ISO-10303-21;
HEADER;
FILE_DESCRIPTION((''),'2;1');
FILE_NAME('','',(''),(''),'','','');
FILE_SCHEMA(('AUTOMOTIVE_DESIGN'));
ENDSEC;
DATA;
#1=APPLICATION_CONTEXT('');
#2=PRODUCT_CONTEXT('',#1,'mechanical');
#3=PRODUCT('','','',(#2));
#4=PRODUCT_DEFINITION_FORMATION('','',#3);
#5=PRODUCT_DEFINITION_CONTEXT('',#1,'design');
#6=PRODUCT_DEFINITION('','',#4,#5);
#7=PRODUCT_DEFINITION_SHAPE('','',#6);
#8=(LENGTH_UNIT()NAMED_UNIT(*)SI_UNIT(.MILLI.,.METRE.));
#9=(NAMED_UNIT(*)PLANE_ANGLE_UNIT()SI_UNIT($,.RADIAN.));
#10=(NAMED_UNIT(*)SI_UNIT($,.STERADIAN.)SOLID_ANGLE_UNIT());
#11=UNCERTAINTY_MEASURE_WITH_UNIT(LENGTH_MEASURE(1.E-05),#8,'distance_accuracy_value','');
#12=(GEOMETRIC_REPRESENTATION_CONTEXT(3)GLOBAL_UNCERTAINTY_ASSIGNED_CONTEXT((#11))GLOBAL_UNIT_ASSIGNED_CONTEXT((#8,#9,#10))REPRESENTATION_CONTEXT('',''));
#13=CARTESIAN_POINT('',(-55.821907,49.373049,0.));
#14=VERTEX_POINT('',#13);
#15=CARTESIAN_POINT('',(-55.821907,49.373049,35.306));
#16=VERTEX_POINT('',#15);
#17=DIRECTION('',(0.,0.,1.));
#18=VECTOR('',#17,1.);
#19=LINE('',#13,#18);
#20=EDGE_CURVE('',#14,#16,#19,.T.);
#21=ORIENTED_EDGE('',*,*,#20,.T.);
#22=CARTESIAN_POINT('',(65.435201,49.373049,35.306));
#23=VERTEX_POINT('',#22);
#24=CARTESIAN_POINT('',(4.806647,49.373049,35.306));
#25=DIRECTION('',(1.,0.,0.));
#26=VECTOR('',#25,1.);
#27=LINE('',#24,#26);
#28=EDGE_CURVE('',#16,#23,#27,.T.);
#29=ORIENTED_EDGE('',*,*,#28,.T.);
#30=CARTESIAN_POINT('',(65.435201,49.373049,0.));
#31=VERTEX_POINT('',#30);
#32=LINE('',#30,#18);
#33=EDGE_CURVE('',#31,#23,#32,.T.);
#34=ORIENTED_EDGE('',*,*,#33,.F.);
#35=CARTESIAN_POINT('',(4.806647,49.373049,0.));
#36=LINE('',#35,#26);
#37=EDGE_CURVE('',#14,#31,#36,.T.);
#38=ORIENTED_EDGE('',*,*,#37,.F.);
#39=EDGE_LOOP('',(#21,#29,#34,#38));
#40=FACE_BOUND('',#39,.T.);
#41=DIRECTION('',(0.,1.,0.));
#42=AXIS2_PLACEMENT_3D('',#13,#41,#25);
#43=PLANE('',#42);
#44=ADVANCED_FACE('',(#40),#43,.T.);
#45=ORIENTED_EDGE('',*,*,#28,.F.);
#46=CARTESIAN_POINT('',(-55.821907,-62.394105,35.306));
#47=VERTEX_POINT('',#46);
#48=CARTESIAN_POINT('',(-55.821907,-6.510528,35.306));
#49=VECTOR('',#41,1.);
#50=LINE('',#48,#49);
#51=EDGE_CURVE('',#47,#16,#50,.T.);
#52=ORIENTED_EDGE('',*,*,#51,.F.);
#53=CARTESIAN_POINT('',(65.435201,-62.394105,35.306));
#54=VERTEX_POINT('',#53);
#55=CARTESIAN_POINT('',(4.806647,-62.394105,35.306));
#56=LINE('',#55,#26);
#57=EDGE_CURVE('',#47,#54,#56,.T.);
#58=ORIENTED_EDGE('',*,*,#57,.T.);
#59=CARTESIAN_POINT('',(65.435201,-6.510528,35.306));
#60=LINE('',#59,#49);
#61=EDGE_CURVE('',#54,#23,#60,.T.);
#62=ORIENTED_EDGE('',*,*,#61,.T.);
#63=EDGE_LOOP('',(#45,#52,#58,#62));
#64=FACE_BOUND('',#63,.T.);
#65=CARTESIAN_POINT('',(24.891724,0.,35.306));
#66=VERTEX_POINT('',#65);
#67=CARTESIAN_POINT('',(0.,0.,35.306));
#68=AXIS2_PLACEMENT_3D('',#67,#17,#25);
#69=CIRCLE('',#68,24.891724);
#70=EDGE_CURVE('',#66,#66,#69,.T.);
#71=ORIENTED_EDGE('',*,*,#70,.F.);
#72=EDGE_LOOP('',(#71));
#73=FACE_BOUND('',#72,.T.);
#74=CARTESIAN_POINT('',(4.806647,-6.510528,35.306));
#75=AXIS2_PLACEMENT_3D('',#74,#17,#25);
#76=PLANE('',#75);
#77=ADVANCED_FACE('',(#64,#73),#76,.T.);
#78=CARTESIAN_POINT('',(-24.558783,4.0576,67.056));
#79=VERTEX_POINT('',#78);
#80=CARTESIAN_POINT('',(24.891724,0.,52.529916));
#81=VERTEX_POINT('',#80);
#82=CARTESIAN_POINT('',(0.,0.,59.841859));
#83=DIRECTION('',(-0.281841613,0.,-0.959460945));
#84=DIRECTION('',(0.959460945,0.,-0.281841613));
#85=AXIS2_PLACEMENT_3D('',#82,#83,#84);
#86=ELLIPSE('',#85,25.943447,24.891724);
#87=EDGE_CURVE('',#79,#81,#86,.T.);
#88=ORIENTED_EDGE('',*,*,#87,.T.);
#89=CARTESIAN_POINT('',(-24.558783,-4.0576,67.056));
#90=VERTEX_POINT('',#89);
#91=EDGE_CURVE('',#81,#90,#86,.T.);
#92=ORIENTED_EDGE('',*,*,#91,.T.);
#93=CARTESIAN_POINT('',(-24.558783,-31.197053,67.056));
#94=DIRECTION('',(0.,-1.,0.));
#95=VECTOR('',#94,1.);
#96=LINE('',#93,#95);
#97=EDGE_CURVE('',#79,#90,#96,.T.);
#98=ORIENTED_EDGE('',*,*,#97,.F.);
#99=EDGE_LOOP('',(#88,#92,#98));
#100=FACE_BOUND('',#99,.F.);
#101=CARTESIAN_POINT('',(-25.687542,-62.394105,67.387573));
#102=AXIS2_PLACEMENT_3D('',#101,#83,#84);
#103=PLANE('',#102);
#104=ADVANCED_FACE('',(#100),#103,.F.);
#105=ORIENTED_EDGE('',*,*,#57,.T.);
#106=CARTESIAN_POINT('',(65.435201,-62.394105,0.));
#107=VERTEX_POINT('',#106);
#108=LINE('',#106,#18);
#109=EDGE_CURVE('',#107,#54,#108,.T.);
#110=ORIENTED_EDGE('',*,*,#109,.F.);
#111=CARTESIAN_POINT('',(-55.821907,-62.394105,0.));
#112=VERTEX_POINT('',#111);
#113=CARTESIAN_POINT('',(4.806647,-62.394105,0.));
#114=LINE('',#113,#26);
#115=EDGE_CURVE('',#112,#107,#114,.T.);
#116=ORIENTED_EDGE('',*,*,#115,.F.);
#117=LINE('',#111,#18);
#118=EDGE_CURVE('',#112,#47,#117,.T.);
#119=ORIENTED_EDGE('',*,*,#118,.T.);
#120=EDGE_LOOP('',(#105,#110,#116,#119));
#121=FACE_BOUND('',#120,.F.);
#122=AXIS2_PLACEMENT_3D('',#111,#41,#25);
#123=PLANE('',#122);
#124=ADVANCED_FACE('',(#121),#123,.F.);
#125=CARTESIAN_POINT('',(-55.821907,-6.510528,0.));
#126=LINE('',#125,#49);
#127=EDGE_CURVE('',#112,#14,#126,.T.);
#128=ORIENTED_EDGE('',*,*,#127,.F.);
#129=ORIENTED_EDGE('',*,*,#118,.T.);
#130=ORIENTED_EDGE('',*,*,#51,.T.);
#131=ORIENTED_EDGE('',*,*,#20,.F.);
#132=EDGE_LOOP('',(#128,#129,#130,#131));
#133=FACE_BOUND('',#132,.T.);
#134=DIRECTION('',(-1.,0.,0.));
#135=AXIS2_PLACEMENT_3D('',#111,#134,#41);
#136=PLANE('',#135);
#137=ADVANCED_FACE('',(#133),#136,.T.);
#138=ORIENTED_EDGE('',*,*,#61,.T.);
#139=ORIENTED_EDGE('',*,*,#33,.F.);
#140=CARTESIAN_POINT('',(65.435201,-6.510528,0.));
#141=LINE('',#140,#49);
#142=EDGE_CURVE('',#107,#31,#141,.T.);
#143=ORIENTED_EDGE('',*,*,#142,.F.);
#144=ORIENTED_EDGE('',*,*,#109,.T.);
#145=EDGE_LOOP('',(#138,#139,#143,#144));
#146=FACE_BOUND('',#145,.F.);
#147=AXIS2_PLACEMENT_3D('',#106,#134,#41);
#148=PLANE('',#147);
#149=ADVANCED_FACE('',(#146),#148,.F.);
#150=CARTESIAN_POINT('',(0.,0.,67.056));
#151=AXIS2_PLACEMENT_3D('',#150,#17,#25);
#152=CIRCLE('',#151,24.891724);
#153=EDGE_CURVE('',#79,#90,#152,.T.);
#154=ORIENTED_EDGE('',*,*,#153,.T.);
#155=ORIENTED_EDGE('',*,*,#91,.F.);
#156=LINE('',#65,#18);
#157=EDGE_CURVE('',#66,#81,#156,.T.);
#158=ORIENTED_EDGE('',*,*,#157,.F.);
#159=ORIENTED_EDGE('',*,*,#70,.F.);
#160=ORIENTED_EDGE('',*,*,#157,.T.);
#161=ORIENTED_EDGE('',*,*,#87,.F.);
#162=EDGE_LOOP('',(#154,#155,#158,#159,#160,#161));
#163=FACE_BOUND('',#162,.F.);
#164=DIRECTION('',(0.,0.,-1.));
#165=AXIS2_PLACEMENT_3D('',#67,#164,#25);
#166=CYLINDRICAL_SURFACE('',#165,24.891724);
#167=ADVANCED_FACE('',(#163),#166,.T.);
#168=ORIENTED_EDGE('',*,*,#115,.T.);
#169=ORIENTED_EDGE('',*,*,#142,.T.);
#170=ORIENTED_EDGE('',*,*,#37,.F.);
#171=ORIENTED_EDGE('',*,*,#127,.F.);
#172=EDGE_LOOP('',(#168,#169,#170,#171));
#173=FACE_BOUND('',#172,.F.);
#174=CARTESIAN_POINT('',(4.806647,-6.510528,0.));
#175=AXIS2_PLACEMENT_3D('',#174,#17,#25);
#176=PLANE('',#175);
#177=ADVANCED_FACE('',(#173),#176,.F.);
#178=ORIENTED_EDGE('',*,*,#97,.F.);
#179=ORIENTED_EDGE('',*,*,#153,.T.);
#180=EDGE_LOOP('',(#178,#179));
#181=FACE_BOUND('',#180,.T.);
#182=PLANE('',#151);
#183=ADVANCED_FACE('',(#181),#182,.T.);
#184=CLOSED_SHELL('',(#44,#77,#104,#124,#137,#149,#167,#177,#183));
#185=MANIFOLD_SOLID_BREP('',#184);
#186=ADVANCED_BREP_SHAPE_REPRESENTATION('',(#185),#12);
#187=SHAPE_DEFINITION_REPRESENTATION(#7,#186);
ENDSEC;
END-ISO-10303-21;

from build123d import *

# Parameters (mm, degrees)
F0_W     = 121.257108
F0_H     = 111.767154
F1_DEPTH = 35.306
F2_R     = 24.891724
F3_DEPTH = 31.75
F5_DEPTH = 152.654


with BuildPart() as f1:
    # F0 (on Top) → F1 (new body)
    with BuildSketch(Plane.XY):
        with Locations((4.806647, -6.510528)):
            Rectangle(F0_W, F0_H)
    extrude(amount=F1_DEPTH)

    # F2 (on face) → F3 (join)
    with BuildSketch(Plane.XY.offset(35.306)):
        Circle(F2_R)
    extrude(amount=F3_DEPTH)

    # F4 (on face) → F5 (cut)
    with BuildSketch(Plane.XZ.offset(62.394105)):
        Polygon((-27.139649, 79.367436), (-25.687542, 67.387573), (32.396633, 50.325349), (32.396633, 79.367436), align=None)
    extrude(amount=-F5_DEPTH, mode=Mode.SUBTRACT)


solid = f1.part
